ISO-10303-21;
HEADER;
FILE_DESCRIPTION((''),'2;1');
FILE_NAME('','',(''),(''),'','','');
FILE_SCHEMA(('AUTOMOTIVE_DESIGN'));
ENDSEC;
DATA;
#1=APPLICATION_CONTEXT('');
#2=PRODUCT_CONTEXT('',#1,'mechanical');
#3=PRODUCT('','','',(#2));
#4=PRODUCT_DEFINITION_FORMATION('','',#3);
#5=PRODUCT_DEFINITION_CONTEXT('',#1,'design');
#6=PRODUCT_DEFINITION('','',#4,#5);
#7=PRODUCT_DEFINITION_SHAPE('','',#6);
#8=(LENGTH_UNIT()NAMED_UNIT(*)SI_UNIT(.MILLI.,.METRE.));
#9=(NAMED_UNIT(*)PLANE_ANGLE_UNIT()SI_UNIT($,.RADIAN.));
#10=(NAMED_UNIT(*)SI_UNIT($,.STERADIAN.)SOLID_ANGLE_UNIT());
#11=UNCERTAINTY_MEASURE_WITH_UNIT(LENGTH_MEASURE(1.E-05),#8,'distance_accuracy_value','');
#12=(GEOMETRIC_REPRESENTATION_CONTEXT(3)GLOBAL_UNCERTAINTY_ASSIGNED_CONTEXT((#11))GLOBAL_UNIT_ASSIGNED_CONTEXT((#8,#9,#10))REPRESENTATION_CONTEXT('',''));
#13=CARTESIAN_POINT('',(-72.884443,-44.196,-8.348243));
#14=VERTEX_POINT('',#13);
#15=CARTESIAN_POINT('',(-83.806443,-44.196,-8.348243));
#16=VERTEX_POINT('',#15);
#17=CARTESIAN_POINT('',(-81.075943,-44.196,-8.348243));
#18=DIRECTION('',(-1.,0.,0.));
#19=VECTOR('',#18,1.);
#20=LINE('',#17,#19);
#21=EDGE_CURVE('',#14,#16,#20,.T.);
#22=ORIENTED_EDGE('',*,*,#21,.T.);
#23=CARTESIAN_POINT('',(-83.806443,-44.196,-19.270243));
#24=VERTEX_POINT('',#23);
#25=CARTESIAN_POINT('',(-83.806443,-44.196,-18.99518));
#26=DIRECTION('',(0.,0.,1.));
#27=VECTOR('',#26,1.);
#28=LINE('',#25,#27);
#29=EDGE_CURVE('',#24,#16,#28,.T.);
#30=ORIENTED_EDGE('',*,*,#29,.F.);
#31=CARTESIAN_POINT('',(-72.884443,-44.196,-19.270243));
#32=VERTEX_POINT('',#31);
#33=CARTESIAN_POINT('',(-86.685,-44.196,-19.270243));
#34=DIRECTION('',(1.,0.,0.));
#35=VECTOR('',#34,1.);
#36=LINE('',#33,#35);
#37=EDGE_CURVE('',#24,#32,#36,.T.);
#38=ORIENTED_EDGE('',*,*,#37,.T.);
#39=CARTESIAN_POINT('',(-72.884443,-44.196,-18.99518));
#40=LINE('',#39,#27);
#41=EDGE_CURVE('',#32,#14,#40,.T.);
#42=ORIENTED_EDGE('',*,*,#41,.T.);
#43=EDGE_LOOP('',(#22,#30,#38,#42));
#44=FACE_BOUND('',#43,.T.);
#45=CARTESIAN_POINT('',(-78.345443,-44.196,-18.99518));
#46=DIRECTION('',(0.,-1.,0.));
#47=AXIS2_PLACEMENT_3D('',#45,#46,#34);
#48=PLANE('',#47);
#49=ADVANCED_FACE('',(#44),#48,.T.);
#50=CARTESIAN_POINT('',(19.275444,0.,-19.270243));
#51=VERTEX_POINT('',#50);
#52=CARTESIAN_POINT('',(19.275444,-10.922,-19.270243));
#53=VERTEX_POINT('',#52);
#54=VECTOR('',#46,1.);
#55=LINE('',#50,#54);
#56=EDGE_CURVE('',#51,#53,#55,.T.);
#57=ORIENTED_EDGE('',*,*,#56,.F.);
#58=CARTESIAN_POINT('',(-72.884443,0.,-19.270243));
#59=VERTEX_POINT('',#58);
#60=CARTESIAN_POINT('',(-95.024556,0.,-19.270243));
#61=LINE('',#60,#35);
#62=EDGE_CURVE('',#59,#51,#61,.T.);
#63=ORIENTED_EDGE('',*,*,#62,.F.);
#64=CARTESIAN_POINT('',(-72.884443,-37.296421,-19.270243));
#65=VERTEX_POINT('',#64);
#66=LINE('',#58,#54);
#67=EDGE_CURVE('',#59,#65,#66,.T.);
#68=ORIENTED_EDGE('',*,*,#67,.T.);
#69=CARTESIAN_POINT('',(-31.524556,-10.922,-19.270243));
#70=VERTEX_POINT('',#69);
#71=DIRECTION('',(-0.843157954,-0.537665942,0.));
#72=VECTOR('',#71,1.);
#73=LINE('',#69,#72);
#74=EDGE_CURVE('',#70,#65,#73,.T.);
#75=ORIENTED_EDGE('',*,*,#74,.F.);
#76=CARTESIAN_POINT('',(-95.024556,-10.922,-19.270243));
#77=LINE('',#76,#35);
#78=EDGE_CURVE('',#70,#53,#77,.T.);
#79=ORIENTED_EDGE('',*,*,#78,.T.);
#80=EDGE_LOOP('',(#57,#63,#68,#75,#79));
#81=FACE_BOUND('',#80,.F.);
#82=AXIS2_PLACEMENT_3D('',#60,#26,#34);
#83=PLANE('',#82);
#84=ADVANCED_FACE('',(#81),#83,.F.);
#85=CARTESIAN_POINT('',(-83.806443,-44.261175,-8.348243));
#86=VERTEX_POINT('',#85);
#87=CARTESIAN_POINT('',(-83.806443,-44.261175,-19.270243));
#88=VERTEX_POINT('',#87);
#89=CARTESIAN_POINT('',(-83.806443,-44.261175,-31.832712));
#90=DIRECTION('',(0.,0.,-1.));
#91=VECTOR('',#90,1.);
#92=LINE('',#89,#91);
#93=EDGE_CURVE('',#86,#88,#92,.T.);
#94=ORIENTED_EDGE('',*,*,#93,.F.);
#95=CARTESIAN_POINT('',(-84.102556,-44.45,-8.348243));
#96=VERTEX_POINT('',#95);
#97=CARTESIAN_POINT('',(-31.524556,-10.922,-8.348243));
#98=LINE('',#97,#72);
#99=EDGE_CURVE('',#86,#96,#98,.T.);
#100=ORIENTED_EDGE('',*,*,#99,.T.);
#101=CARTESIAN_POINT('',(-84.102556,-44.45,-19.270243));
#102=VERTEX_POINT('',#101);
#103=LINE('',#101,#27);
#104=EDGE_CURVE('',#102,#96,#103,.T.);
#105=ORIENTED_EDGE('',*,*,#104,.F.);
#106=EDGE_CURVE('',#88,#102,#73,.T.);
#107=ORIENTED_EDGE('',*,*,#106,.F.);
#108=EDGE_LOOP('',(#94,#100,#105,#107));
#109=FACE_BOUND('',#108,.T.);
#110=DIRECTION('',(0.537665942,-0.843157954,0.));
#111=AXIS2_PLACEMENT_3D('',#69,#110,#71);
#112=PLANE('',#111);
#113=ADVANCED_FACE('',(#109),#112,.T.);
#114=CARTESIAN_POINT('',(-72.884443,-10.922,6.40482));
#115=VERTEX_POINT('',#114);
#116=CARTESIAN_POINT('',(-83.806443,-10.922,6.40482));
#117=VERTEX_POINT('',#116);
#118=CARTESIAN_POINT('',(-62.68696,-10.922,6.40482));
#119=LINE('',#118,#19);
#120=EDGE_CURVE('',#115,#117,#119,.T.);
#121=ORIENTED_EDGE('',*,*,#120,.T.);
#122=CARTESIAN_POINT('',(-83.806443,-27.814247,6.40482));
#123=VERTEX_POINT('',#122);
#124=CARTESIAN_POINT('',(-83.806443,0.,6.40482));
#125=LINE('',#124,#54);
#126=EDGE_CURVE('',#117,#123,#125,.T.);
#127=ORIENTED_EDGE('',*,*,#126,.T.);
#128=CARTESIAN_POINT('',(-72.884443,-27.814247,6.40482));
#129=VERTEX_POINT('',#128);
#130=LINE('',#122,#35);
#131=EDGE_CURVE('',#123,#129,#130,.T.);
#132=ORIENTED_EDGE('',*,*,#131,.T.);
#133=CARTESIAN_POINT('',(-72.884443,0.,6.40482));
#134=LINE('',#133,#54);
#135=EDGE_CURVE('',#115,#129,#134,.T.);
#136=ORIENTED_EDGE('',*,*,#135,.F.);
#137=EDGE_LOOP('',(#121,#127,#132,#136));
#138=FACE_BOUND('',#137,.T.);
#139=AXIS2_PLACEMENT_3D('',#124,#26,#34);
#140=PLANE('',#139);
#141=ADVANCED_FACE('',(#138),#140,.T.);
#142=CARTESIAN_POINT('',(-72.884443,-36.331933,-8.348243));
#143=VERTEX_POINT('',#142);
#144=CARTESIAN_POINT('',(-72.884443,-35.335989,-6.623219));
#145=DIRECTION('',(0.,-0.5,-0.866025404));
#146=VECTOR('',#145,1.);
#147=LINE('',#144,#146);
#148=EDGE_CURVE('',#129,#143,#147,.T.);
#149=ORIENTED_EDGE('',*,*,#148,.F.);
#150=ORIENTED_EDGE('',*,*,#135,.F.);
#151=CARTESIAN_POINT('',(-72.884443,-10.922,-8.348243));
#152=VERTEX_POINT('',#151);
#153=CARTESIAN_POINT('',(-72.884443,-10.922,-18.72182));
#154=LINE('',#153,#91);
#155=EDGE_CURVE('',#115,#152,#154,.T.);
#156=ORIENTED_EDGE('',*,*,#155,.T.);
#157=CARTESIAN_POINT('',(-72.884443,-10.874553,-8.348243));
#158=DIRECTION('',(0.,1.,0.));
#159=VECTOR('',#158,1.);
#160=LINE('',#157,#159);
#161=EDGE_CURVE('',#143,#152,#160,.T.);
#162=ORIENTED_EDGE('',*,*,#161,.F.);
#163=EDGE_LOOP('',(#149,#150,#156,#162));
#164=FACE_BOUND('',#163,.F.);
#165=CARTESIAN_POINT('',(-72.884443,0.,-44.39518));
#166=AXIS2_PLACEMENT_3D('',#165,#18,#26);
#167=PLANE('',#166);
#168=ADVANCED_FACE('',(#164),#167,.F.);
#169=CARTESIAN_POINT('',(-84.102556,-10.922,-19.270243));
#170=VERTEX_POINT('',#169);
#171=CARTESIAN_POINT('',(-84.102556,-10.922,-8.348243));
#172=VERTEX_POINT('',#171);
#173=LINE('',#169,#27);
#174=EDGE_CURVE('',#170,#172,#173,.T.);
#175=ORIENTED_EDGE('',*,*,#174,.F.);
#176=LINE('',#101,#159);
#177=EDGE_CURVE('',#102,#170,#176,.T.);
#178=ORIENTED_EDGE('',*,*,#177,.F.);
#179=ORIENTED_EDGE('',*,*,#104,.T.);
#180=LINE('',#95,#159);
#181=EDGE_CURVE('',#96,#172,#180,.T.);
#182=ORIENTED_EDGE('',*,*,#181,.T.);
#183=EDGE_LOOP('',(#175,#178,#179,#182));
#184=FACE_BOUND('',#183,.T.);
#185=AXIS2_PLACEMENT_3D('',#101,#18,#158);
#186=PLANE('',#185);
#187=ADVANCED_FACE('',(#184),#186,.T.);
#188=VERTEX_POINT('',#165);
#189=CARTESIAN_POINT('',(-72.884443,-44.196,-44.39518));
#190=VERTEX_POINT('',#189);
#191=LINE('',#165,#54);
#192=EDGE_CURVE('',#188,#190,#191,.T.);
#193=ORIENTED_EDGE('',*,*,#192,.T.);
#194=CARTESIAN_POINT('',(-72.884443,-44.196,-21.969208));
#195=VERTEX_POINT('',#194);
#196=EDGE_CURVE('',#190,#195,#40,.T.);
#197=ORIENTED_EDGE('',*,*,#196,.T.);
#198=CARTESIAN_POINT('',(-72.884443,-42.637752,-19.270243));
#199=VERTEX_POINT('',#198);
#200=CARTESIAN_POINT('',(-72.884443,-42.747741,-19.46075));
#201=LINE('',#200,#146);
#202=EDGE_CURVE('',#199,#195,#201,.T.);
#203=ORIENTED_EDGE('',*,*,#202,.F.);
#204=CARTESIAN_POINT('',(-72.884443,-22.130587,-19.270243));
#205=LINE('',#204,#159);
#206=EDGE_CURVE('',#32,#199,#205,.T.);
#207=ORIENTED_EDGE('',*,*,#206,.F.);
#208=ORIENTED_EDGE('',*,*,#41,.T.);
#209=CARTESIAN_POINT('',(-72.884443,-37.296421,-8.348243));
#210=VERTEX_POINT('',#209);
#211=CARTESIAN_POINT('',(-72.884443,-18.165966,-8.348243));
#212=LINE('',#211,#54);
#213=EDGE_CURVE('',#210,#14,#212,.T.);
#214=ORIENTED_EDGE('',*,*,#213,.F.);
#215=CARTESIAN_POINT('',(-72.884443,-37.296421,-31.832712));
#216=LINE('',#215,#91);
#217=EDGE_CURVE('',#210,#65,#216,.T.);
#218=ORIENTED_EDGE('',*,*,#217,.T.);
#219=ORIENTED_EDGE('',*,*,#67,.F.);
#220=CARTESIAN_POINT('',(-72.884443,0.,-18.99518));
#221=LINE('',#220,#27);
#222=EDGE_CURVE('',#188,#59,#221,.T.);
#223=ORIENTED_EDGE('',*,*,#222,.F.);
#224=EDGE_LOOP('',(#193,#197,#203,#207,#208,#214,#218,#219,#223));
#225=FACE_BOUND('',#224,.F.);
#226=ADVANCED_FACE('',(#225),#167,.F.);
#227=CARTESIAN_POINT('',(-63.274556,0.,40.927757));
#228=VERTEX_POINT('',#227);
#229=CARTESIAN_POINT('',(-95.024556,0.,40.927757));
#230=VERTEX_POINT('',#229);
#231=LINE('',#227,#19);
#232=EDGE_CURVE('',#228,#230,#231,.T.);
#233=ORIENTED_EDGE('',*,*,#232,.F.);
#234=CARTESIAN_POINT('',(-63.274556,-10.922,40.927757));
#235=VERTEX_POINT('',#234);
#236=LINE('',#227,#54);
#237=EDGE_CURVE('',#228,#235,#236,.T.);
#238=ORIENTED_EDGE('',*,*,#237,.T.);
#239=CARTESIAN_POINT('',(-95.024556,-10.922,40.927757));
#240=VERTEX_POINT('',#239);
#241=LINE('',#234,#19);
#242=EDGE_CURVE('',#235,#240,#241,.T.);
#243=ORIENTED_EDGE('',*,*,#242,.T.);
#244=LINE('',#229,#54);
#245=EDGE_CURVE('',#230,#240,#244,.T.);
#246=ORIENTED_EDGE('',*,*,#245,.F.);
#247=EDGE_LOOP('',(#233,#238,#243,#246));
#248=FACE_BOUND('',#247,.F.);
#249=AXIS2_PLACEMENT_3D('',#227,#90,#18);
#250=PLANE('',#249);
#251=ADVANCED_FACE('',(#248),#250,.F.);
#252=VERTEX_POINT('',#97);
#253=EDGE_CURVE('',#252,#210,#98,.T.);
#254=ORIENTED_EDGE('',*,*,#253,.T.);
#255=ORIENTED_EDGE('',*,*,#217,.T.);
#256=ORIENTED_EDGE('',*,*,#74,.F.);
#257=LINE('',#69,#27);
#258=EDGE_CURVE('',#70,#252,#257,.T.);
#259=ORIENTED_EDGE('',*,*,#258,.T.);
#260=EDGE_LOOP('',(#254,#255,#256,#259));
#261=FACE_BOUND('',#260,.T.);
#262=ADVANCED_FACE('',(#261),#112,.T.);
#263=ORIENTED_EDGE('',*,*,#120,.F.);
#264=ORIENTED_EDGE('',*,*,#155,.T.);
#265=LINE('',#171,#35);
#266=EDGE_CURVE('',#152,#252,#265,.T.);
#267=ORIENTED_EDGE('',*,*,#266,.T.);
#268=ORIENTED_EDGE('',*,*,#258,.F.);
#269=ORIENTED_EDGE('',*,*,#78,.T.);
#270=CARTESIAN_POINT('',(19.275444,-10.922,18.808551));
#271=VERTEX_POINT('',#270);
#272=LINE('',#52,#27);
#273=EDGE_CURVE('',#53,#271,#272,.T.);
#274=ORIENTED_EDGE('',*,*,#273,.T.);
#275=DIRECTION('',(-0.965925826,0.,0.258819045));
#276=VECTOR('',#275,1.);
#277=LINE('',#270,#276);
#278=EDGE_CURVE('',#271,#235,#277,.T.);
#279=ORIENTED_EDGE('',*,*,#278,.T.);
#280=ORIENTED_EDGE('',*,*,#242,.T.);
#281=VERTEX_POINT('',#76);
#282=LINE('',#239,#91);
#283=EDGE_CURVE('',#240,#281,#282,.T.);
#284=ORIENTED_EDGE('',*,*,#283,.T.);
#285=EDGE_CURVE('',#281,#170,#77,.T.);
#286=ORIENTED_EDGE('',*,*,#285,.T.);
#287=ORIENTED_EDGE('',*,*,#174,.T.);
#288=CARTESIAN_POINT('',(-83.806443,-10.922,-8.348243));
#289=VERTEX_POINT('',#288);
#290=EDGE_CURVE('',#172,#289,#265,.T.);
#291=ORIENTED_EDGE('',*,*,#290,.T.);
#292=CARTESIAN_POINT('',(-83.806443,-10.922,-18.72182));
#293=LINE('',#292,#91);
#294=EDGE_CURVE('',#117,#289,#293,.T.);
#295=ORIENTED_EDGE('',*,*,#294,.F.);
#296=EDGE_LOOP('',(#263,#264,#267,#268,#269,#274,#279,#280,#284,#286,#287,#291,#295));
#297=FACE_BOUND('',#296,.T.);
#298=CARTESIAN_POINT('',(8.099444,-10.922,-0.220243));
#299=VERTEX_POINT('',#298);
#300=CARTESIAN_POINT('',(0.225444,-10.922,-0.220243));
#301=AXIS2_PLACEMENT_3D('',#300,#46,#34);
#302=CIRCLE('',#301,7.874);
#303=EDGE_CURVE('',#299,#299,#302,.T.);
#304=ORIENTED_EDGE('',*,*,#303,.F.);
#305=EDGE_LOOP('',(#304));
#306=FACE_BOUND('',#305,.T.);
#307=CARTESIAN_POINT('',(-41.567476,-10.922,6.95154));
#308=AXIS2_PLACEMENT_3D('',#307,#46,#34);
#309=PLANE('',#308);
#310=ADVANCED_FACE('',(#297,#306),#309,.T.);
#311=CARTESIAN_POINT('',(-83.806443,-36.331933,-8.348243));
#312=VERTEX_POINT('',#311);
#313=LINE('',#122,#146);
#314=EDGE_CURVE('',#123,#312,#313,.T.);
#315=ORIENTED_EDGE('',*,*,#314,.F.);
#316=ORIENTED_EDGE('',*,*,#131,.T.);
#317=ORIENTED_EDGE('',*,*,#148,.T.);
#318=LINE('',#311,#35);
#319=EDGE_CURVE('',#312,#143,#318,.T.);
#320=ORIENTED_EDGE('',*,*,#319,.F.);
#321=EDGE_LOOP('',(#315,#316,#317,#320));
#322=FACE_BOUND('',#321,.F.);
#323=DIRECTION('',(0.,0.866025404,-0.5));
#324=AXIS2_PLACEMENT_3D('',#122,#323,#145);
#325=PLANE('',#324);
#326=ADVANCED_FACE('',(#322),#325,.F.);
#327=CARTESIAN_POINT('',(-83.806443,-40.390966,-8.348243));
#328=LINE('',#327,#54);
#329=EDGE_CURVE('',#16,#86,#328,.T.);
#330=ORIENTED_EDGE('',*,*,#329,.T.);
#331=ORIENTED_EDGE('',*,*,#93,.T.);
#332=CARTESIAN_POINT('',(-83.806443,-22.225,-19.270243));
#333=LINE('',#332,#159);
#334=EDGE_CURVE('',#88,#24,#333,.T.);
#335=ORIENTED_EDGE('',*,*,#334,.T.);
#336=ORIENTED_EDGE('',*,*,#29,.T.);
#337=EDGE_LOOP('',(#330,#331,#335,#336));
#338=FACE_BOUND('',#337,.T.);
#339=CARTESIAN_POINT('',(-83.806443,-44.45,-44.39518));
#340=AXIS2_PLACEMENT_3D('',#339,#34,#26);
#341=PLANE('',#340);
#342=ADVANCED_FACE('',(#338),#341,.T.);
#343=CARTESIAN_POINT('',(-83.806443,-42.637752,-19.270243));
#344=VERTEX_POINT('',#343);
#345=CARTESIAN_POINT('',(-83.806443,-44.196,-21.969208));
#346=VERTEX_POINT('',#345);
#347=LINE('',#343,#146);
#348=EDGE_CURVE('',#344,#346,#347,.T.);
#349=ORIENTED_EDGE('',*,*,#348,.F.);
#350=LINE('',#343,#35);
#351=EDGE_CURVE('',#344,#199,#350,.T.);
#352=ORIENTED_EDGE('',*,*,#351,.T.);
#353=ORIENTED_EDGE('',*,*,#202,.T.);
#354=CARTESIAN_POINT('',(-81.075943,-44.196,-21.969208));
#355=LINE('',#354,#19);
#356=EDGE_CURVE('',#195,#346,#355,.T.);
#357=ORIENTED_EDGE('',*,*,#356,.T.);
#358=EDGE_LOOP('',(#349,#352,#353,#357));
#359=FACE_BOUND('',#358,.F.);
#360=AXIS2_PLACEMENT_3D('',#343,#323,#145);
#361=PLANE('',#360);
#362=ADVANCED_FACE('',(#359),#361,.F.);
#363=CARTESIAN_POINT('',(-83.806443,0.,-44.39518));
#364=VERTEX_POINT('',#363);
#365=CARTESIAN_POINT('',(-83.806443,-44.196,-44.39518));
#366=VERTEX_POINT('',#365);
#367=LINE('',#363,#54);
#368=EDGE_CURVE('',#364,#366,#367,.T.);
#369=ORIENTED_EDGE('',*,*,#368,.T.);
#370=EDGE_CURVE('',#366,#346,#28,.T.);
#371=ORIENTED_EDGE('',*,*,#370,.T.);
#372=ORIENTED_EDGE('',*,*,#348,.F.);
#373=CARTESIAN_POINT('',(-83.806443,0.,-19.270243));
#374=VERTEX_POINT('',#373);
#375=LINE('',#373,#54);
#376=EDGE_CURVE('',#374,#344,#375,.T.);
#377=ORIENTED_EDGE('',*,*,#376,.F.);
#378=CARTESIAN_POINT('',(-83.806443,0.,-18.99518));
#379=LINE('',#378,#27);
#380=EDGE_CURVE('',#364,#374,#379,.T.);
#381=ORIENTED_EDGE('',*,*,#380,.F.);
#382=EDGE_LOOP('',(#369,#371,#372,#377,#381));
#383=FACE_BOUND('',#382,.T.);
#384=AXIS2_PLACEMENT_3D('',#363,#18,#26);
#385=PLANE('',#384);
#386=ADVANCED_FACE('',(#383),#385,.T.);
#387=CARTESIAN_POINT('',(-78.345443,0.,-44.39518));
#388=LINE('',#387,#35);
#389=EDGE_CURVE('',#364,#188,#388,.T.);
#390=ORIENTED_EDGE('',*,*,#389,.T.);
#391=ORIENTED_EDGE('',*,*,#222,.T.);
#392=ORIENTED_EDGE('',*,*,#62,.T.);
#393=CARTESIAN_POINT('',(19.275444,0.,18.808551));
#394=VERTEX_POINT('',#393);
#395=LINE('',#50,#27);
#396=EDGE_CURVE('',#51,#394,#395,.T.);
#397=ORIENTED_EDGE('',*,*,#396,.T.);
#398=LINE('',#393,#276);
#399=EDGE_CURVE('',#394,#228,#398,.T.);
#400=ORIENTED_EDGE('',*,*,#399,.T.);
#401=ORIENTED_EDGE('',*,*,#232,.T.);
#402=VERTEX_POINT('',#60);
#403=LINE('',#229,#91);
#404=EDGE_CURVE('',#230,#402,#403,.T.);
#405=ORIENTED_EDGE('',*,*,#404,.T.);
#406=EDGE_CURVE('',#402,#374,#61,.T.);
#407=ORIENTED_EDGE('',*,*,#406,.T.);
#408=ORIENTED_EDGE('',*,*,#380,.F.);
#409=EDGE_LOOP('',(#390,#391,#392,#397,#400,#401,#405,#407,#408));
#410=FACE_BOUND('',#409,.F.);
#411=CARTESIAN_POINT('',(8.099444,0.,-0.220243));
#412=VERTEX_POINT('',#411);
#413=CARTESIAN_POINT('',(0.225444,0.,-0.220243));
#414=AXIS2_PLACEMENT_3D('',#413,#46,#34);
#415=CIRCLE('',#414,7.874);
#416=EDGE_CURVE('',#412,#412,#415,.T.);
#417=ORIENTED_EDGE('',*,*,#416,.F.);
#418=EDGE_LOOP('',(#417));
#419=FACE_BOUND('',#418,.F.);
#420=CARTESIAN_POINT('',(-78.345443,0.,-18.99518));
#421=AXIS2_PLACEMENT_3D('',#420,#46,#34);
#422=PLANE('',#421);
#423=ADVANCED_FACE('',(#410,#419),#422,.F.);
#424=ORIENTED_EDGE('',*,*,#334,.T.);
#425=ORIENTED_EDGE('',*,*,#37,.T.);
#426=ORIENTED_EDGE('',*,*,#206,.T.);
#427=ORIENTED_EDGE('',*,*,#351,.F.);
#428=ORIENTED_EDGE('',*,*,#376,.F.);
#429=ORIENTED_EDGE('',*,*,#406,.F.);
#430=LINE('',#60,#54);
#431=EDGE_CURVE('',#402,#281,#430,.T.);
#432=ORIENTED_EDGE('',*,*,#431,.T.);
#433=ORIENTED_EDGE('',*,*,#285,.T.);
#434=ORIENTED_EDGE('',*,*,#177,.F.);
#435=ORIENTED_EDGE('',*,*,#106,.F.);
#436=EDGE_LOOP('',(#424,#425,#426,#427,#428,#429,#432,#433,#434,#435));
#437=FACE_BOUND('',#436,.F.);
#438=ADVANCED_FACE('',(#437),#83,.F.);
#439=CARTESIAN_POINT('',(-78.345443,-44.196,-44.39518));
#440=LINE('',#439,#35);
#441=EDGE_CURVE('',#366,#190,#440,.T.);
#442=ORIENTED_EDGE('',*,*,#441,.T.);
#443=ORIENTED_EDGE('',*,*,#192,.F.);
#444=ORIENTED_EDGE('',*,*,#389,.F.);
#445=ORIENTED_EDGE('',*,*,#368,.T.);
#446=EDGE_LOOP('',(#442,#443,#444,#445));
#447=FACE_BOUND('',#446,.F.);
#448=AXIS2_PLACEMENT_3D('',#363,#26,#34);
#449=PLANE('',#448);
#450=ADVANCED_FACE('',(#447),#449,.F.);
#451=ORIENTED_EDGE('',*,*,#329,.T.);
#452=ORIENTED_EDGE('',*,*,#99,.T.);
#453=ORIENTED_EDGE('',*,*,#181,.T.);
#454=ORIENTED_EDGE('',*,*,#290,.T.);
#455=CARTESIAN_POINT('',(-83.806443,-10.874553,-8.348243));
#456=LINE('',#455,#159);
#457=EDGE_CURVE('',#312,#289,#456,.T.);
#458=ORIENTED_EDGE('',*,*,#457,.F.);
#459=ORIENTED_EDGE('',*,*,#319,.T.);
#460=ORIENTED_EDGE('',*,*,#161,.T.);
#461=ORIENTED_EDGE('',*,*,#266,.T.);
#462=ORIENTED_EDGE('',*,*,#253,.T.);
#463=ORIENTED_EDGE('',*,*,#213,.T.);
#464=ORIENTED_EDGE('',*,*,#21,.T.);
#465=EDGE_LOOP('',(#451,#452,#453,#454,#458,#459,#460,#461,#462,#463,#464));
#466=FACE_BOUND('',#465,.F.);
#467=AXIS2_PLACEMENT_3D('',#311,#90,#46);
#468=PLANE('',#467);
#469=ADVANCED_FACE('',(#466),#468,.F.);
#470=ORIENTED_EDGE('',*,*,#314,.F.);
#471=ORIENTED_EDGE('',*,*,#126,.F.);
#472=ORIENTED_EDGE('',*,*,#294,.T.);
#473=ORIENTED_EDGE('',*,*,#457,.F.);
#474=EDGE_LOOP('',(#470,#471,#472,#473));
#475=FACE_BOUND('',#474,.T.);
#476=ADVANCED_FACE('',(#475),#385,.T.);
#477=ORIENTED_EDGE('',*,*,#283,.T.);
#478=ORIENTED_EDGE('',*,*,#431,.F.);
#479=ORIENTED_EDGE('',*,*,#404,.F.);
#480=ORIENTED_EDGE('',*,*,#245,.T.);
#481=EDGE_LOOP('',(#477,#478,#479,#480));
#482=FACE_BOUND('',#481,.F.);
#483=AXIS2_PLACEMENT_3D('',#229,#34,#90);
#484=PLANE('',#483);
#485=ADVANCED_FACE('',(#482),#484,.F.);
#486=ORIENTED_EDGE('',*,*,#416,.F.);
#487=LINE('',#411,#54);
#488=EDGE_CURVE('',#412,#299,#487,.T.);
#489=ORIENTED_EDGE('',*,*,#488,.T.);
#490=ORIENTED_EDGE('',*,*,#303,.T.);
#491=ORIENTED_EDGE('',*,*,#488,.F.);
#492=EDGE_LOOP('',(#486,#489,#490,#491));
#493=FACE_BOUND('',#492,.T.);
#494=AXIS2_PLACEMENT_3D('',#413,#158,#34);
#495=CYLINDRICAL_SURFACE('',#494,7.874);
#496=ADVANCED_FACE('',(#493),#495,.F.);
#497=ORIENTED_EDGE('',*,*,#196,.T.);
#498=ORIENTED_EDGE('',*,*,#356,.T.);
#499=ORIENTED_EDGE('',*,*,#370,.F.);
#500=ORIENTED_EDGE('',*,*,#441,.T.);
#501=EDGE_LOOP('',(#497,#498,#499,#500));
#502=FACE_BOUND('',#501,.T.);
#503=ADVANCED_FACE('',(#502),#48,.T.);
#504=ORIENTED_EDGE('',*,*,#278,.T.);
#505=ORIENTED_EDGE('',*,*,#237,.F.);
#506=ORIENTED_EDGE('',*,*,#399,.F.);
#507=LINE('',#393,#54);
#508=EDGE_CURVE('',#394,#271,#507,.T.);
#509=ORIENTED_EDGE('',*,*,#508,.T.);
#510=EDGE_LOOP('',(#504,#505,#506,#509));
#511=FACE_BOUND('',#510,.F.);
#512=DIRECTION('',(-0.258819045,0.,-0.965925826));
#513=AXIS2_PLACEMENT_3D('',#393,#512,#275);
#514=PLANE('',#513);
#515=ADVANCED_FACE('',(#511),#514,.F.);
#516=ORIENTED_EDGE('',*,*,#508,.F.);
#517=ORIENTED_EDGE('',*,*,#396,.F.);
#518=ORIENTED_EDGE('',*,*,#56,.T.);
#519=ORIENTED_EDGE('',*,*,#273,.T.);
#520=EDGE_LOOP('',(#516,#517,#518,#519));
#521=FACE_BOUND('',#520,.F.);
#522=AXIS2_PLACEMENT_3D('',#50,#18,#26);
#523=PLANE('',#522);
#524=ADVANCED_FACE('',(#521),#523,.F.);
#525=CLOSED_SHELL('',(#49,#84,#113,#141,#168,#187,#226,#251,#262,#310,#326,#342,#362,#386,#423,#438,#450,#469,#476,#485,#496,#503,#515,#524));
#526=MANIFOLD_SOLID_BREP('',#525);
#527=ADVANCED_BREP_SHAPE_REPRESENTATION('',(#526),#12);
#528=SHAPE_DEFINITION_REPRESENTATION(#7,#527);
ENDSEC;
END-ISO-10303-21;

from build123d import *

# Parameters (mm, degrees)
F0_R     = 7.874
F1_DEPTH = 10.922
F3_DEPTH = 10.922
F4_W     = 10.922
F4_H     = 50.8
F5_DEPTH = 44.45
F7_DEPTH = 25.4
F8_DEPTH = 0.254


with BuildPart() as f1:
    # F0 (on Front) → F1 (new body)
    with BuildSketch(Plane.XZ):
        Polygon((-95.0245559216, 40.9277565777), (-95.0245559216, -19.2702434223), (19.2754440784, -19.2702434223), (19.2754440784, 18.8085507425), (-63.2745559216, 40.9277565777), align=None)
        with Locations((0.2254440784, -0.2202434223)):
            Circle(F0_R, mode=Mode.SUBTRACT)
    extrude(amount=F1_DEPTH)

    # F2 (on face) → F3 (join)
    with BuildSketch(Plane(origin=(0, 0, -19.2702434223), x_dir=(1, 0, 0), z_dir=(0, 0, -1))):
        Polygon((-31.5245559216, 10.922), (-84.1025559216, 44.45), (-84.1025559216, 10.922), align=None)
    extrude(amount=-F3_DEPTH)

    # F4 (on Front) → F5 (join)
    with BuildSketch(Plane.XZ):
        with Locations((-78.3454434941, -18.9951797947)):
            Rectangle(F4_W, F4_H)
    extrude(amount=F5_DEPTH)

    # F6 (on face) → F7 (cut)
    with BuildSketch(Plane(origin=(-83.8064434941, 0, 0), x_dir=(0, -1, 0), z_dir=(-1, 0, 0))):
        Polygon((44.45, 6.4048202053), (27.814247327, 6.4048202053), (36.3319325837, -8.3482434223), (44.261174684, -8.3482434223), (44.261174684, -19.2702434223), (42.6377522238, -19.2702434223), (44.3853547532, -22.2971797947), align=None)
    extrude(amount=-F7_DEPTH, mode=Mode.SUBTRACT)

    # F8 (cut): a face of the model
    f8_faces = [f1.faces().sort_by_distance(p)[0] for p in [
        (-78.3454434941, -44.45, -18.9951797947),
    ]]
    extrude(f8_faces, amount=-F8_DEPTH, mode=Mode.SUBTRACT)


solid = f1.part
